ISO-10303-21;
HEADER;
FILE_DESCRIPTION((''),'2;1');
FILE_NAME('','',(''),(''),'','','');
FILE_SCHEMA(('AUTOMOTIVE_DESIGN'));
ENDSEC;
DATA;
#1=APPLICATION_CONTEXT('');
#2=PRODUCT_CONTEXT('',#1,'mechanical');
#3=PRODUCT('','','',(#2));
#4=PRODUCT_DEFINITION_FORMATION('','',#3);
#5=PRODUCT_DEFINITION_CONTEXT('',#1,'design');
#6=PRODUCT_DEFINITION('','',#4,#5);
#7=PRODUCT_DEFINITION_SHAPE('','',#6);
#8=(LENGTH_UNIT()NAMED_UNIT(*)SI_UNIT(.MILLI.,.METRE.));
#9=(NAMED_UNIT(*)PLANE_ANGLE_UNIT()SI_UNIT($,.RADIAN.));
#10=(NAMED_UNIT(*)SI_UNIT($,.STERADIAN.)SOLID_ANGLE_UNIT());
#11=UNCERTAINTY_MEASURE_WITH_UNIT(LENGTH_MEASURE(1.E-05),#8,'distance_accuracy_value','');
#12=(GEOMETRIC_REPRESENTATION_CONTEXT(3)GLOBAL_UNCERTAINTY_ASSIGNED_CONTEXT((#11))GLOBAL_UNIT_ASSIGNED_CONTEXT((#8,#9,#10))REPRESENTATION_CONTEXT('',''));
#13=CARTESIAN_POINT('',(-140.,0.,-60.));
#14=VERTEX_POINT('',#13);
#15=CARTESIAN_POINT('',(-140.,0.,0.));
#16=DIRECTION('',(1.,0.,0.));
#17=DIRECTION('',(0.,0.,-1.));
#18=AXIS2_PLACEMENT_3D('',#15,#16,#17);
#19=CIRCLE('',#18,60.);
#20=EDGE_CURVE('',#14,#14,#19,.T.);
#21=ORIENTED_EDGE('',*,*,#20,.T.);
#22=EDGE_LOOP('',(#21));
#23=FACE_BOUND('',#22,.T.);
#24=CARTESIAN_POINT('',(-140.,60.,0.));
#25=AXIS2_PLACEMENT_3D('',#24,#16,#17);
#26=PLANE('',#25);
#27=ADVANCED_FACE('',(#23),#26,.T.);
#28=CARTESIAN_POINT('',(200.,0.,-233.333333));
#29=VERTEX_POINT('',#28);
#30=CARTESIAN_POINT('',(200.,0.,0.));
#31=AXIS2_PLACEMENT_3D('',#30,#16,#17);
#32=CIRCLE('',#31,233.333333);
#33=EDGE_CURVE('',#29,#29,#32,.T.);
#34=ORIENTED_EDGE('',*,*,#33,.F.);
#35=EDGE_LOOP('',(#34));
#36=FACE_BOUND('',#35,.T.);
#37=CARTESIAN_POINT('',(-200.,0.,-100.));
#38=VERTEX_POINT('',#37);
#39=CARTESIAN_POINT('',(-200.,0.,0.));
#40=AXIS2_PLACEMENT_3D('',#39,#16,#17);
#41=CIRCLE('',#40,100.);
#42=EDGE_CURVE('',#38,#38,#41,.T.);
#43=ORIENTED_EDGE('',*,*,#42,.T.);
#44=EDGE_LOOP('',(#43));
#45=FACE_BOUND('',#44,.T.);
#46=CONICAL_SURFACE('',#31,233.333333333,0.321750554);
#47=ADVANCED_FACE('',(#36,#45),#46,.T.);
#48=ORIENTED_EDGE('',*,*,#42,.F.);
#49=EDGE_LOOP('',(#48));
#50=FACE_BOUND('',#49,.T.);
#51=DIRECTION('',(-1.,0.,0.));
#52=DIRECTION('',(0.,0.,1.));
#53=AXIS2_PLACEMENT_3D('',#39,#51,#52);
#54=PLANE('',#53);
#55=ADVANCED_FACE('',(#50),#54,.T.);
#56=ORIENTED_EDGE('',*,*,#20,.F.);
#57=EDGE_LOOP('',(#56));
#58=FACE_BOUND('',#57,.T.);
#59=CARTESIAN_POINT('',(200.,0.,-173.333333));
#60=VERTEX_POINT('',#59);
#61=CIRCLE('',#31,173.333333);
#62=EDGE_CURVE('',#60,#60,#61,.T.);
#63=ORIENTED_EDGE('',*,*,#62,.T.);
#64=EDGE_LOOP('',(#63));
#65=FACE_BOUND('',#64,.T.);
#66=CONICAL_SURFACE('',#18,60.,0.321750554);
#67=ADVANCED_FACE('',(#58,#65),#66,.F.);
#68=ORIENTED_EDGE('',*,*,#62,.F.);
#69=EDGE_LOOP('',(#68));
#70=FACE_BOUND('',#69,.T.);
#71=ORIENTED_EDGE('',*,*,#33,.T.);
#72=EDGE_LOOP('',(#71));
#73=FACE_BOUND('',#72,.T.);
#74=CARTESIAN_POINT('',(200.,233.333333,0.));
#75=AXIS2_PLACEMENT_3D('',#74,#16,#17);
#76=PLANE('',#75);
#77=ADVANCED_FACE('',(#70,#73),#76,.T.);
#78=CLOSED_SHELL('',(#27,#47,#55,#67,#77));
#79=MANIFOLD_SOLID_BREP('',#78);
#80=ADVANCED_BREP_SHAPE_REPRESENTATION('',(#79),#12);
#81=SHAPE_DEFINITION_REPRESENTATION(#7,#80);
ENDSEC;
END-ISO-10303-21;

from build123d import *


with BuildPart() as part:
    # Sketch1 → Revolve1 (revolve)
    with BuildSketch(Plane.XY):
        Polygon((-140, 0), (-200, 0), (-200, 100), (200, 233.333333333), (200, 173.333333333), (-140, 60), align=None)
    revolve(axis=Axis((-140, 0, 0), (-1, 0, 0)))


solid = part.part
